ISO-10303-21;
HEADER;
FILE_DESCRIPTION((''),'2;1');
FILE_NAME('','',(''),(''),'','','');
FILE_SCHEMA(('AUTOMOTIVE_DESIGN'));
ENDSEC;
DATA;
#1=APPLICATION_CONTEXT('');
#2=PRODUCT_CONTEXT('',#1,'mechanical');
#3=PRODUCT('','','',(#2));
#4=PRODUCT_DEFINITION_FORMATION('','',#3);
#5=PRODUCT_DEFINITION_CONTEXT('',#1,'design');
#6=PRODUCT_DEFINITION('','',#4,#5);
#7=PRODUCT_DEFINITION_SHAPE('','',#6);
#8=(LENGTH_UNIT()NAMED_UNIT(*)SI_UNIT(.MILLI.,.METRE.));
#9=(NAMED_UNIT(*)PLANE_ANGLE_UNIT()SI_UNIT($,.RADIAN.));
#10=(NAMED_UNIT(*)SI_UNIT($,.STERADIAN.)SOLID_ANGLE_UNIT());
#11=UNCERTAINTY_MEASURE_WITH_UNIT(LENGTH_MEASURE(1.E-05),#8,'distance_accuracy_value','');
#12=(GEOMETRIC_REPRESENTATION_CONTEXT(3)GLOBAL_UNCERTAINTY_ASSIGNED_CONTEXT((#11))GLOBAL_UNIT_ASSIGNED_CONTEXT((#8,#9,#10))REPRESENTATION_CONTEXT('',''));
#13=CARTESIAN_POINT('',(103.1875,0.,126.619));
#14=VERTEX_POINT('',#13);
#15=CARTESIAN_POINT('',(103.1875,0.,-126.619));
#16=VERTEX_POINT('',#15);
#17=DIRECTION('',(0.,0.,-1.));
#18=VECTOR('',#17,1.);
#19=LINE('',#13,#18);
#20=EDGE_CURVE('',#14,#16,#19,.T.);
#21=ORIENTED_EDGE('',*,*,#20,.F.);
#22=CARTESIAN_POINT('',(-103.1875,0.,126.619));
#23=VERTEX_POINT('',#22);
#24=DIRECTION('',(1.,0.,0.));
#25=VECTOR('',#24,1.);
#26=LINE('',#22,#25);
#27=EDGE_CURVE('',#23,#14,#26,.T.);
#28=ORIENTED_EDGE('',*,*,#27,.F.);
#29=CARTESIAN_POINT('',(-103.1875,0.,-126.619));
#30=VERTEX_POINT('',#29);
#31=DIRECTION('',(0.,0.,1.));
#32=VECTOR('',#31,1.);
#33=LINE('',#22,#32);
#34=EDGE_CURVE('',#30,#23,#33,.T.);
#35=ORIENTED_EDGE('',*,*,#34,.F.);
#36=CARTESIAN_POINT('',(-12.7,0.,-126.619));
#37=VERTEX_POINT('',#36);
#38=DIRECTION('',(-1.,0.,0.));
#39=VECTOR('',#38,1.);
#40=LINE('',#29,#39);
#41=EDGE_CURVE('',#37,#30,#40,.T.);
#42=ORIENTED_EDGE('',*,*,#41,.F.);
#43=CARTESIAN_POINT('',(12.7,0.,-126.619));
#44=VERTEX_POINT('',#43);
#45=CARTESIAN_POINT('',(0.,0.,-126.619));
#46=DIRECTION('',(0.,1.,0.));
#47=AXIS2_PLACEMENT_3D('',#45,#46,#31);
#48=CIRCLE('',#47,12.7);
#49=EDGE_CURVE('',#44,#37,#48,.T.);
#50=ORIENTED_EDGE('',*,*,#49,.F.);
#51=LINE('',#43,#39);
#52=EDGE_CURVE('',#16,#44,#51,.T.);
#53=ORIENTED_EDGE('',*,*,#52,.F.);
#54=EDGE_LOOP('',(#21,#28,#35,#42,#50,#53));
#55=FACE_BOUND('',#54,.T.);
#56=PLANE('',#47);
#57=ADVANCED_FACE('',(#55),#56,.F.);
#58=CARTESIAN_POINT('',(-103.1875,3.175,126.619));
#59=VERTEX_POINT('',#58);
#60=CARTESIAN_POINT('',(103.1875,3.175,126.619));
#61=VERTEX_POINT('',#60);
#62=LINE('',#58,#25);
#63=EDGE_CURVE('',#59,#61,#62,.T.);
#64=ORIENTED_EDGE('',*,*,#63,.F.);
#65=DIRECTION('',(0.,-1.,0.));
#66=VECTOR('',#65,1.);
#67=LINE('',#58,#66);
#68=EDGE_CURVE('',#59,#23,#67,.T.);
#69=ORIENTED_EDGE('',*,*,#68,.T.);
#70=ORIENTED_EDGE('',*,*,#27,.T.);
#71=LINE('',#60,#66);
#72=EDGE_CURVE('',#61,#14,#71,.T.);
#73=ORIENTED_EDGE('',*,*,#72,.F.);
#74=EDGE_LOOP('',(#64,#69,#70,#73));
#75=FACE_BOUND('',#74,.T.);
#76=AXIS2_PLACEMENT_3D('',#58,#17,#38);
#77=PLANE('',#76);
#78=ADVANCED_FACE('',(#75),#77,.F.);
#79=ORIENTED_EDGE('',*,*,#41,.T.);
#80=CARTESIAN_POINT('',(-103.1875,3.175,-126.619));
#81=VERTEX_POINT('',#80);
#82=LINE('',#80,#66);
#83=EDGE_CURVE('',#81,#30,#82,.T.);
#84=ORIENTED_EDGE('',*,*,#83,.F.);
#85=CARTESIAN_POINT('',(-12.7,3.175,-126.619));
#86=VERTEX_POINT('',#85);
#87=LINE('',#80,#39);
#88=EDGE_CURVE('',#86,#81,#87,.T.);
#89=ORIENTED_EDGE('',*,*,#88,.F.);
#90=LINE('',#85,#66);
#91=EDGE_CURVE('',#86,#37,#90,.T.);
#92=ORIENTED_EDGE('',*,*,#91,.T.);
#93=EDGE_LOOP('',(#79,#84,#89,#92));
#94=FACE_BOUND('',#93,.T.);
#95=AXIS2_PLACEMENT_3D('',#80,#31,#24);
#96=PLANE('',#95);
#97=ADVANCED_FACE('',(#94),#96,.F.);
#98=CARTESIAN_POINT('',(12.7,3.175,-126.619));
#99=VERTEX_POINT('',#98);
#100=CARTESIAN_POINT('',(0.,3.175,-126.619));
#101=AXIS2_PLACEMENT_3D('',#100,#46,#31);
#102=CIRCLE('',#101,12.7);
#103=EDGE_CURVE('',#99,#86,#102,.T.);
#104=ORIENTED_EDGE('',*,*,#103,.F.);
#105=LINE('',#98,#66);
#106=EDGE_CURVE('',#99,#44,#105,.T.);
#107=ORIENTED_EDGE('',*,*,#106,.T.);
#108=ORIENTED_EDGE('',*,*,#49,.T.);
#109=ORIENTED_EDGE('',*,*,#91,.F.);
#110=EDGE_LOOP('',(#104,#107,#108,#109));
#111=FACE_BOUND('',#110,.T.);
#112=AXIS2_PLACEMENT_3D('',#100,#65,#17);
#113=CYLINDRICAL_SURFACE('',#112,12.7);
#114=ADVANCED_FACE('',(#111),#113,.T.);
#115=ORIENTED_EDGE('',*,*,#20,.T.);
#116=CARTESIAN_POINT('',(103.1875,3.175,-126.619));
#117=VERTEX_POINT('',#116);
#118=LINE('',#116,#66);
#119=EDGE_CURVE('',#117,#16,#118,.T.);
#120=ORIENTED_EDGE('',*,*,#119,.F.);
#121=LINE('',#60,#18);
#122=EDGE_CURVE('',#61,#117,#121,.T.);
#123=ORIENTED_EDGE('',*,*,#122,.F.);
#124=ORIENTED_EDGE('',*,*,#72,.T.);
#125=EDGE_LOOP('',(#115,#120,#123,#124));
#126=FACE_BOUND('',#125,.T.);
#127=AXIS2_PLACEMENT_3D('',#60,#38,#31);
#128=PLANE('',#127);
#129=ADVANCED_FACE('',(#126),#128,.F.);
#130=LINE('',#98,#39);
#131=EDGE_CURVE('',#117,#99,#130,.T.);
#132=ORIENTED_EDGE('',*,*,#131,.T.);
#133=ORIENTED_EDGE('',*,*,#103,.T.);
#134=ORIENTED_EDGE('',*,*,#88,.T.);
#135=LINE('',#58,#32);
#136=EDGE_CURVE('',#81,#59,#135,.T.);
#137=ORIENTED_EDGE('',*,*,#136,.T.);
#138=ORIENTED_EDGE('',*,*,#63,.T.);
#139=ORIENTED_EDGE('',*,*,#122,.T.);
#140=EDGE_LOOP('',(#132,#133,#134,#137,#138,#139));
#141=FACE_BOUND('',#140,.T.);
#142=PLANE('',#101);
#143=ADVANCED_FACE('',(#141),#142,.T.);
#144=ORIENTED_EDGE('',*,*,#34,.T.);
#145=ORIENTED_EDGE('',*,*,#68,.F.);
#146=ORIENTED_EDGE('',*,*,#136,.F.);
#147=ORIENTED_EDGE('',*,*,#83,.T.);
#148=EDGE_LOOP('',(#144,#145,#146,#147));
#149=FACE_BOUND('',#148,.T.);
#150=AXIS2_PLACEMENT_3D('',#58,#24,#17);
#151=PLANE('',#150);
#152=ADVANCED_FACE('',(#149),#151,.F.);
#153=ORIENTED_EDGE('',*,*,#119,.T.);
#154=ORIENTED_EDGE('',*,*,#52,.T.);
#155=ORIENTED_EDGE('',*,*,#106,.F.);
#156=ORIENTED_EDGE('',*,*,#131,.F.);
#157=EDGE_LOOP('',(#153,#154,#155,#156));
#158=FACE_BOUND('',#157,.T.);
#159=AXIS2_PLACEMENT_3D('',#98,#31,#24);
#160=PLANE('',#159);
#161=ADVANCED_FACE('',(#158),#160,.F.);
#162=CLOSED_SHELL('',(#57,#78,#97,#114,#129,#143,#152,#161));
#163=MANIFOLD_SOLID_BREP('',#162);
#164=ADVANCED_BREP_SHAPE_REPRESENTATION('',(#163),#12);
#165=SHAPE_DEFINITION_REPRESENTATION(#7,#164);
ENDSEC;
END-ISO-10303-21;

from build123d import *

# Parameters (mm, degrees)
BOSS_EXTRUDE1_DEPTH = 3.175


with BuildPart() as part:
    # Sketch1 → Boss-Extrude1 (new body)
    with BuildSketch(Plane(origin=(0, 0, 0), x_dir=(1, 0, 0), z_dir=(0, 1, 0))):
        with BuildLine():
            Line((12.7, 126.619), (103.1875, 126.619))
            Line((103.1875, 126.619), (103.1875, -126.619))
            Line((103.1875, -126.619), (-103.1875, -126.619))
            Line((-103.1875, -126.619), (-103.1875, 126.619))
            Line((-103.1875, 126.619), (-12.7, 126.619))
            ThreePointArc((-12.7, 126.619), (0, 139.319), (12.7, 126.619))
        make_face()
    extrude(amount=BOSS_EXTRUDE1_DEPTH)


solid = part.part
